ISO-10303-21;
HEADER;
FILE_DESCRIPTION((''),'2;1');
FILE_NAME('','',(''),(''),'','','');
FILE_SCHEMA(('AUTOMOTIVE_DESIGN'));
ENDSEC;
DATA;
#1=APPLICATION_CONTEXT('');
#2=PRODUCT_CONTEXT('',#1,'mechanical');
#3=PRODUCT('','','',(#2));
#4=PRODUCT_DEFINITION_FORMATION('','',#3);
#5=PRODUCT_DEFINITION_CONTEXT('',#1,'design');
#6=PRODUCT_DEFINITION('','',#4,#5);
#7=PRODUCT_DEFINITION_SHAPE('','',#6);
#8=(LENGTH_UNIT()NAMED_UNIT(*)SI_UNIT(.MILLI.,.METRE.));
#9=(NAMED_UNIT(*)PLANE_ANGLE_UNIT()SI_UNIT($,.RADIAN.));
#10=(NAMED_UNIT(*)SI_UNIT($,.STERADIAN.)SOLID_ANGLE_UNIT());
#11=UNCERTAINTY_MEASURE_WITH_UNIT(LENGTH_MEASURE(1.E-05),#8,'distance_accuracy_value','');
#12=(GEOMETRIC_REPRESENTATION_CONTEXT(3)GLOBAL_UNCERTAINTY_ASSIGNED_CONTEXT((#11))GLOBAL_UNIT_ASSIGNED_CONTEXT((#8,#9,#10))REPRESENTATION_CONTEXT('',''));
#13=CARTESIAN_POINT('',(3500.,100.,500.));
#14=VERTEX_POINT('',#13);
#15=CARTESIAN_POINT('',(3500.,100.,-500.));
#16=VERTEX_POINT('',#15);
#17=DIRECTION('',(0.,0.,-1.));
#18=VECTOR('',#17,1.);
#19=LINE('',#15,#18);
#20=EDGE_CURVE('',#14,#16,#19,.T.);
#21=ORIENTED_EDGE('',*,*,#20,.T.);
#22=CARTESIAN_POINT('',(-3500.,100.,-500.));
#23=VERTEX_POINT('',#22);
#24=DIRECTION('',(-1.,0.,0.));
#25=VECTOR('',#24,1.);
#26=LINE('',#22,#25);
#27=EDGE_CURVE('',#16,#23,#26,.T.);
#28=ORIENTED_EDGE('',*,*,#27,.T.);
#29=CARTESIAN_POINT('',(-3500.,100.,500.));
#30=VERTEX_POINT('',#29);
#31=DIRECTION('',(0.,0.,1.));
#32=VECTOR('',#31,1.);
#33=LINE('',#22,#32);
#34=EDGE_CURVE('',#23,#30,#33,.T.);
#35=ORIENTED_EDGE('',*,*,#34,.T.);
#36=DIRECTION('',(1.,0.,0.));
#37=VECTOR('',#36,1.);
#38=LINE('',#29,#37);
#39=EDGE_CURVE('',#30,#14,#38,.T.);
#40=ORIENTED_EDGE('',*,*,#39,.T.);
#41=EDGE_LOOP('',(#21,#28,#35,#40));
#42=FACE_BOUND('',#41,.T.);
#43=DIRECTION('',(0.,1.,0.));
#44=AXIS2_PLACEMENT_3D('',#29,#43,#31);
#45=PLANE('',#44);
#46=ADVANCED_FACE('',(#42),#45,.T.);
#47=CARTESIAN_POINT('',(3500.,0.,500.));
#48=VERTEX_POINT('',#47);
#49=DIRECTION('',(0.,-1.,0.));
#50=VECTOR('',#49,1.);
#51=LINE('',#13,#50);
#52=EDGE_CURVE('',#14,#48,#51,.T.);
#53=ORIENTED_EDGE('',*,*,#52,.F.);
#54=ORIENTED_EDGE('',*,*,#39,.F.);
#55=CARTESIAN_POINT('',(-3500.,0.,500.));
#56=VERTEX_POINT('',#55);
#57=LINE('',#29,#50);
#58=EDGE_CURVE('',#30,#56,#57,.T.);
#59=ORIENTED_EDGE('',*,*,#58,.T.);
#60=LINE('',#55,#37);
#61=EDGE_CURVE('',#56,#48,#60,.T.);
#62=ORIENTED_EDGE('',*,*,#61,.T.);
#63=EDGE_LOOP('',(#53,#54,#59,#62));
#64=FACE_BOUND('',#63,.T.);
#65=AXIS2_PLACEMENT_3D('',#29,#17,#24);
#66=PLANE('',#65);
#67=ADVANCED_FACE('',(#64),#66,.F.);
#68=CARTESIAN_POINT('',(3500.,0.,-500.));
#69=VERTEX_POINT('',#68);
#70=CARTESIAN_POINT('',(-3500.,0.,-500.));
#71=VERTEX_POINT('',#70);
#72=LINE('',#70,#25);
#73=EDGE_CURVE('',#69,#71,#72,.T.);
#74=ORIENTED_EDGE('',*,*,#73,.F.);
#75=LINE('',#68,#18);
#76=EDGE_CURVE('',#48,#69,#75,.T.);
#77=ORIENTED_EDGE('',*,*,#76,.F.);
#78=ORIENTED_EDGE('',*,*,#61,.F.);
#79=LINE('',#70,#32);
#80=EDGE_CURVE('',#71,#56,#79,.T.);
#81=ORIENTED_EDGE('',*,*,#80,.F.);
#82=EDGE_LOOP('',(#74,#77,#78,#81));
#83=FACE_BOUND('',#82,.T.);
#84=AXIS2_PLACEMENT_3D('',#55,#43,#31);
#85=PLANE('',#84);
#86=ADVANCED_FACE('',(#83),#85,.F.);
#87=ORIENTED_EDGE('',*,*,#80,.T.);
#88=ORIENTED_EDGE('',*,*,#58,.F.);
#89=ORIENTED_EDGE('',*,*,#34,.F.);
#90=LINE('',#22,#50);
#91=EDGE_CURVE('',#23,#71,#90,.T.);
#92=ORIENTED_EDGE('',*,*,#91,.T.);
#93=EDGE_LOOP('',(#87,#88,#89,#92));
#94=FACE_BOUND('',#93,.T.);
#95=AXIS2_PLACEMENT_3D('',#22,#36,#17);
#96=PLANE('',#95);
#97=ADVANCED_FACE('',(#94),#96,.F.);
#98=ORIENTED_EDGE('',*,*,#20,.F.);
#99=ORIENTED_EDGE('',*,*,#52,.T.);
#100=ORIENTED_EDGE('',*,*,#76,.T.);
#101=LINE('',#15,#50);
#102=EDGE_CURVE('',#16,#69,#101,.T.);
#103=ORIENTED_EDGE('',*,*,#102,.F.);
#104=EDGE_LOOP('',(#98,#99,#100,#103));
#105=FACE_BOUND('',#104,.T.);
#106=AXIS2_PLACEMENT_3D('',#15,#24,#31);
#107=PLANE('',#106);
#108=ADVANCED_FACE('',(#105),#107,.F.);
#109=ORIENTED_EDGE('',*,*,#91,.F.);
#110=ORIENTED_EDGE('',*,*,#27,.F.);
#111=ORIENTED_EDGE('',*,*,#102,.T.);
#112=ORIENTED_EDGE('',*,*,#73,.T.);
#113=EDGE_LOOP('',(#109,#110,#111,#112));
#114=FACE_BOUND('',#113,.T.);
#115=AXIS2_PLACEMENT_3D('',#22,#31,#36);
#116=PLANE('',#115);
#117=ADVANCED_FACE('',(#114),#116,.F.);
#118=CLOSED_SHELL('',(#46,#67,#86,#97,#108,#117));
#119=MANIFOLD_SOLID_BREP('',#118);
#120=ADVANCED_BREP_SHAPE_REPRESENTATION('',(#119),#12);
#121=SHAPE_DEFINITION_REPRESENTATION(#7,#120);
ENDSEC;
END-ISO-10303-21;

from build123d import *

# Parameters (mm, degrees)
SKETCH1_W      = 7000
SKETCH1_H      = 1000
EXTRUDE1_DEPTH = 100


with BuildPart() as part:
    # Sketch1 → Extrude1 (new body)
    with BuildSketch(Plane(origin=(0, 0, 0), x_dir=(1, 0, 0), z_dir=(0, 1, 0))):
        Rectangle(SKETCH1_W, SKETCH1_H)
    extrude(amount=EXTRUDE1_DEPTH)


solid = part.part
